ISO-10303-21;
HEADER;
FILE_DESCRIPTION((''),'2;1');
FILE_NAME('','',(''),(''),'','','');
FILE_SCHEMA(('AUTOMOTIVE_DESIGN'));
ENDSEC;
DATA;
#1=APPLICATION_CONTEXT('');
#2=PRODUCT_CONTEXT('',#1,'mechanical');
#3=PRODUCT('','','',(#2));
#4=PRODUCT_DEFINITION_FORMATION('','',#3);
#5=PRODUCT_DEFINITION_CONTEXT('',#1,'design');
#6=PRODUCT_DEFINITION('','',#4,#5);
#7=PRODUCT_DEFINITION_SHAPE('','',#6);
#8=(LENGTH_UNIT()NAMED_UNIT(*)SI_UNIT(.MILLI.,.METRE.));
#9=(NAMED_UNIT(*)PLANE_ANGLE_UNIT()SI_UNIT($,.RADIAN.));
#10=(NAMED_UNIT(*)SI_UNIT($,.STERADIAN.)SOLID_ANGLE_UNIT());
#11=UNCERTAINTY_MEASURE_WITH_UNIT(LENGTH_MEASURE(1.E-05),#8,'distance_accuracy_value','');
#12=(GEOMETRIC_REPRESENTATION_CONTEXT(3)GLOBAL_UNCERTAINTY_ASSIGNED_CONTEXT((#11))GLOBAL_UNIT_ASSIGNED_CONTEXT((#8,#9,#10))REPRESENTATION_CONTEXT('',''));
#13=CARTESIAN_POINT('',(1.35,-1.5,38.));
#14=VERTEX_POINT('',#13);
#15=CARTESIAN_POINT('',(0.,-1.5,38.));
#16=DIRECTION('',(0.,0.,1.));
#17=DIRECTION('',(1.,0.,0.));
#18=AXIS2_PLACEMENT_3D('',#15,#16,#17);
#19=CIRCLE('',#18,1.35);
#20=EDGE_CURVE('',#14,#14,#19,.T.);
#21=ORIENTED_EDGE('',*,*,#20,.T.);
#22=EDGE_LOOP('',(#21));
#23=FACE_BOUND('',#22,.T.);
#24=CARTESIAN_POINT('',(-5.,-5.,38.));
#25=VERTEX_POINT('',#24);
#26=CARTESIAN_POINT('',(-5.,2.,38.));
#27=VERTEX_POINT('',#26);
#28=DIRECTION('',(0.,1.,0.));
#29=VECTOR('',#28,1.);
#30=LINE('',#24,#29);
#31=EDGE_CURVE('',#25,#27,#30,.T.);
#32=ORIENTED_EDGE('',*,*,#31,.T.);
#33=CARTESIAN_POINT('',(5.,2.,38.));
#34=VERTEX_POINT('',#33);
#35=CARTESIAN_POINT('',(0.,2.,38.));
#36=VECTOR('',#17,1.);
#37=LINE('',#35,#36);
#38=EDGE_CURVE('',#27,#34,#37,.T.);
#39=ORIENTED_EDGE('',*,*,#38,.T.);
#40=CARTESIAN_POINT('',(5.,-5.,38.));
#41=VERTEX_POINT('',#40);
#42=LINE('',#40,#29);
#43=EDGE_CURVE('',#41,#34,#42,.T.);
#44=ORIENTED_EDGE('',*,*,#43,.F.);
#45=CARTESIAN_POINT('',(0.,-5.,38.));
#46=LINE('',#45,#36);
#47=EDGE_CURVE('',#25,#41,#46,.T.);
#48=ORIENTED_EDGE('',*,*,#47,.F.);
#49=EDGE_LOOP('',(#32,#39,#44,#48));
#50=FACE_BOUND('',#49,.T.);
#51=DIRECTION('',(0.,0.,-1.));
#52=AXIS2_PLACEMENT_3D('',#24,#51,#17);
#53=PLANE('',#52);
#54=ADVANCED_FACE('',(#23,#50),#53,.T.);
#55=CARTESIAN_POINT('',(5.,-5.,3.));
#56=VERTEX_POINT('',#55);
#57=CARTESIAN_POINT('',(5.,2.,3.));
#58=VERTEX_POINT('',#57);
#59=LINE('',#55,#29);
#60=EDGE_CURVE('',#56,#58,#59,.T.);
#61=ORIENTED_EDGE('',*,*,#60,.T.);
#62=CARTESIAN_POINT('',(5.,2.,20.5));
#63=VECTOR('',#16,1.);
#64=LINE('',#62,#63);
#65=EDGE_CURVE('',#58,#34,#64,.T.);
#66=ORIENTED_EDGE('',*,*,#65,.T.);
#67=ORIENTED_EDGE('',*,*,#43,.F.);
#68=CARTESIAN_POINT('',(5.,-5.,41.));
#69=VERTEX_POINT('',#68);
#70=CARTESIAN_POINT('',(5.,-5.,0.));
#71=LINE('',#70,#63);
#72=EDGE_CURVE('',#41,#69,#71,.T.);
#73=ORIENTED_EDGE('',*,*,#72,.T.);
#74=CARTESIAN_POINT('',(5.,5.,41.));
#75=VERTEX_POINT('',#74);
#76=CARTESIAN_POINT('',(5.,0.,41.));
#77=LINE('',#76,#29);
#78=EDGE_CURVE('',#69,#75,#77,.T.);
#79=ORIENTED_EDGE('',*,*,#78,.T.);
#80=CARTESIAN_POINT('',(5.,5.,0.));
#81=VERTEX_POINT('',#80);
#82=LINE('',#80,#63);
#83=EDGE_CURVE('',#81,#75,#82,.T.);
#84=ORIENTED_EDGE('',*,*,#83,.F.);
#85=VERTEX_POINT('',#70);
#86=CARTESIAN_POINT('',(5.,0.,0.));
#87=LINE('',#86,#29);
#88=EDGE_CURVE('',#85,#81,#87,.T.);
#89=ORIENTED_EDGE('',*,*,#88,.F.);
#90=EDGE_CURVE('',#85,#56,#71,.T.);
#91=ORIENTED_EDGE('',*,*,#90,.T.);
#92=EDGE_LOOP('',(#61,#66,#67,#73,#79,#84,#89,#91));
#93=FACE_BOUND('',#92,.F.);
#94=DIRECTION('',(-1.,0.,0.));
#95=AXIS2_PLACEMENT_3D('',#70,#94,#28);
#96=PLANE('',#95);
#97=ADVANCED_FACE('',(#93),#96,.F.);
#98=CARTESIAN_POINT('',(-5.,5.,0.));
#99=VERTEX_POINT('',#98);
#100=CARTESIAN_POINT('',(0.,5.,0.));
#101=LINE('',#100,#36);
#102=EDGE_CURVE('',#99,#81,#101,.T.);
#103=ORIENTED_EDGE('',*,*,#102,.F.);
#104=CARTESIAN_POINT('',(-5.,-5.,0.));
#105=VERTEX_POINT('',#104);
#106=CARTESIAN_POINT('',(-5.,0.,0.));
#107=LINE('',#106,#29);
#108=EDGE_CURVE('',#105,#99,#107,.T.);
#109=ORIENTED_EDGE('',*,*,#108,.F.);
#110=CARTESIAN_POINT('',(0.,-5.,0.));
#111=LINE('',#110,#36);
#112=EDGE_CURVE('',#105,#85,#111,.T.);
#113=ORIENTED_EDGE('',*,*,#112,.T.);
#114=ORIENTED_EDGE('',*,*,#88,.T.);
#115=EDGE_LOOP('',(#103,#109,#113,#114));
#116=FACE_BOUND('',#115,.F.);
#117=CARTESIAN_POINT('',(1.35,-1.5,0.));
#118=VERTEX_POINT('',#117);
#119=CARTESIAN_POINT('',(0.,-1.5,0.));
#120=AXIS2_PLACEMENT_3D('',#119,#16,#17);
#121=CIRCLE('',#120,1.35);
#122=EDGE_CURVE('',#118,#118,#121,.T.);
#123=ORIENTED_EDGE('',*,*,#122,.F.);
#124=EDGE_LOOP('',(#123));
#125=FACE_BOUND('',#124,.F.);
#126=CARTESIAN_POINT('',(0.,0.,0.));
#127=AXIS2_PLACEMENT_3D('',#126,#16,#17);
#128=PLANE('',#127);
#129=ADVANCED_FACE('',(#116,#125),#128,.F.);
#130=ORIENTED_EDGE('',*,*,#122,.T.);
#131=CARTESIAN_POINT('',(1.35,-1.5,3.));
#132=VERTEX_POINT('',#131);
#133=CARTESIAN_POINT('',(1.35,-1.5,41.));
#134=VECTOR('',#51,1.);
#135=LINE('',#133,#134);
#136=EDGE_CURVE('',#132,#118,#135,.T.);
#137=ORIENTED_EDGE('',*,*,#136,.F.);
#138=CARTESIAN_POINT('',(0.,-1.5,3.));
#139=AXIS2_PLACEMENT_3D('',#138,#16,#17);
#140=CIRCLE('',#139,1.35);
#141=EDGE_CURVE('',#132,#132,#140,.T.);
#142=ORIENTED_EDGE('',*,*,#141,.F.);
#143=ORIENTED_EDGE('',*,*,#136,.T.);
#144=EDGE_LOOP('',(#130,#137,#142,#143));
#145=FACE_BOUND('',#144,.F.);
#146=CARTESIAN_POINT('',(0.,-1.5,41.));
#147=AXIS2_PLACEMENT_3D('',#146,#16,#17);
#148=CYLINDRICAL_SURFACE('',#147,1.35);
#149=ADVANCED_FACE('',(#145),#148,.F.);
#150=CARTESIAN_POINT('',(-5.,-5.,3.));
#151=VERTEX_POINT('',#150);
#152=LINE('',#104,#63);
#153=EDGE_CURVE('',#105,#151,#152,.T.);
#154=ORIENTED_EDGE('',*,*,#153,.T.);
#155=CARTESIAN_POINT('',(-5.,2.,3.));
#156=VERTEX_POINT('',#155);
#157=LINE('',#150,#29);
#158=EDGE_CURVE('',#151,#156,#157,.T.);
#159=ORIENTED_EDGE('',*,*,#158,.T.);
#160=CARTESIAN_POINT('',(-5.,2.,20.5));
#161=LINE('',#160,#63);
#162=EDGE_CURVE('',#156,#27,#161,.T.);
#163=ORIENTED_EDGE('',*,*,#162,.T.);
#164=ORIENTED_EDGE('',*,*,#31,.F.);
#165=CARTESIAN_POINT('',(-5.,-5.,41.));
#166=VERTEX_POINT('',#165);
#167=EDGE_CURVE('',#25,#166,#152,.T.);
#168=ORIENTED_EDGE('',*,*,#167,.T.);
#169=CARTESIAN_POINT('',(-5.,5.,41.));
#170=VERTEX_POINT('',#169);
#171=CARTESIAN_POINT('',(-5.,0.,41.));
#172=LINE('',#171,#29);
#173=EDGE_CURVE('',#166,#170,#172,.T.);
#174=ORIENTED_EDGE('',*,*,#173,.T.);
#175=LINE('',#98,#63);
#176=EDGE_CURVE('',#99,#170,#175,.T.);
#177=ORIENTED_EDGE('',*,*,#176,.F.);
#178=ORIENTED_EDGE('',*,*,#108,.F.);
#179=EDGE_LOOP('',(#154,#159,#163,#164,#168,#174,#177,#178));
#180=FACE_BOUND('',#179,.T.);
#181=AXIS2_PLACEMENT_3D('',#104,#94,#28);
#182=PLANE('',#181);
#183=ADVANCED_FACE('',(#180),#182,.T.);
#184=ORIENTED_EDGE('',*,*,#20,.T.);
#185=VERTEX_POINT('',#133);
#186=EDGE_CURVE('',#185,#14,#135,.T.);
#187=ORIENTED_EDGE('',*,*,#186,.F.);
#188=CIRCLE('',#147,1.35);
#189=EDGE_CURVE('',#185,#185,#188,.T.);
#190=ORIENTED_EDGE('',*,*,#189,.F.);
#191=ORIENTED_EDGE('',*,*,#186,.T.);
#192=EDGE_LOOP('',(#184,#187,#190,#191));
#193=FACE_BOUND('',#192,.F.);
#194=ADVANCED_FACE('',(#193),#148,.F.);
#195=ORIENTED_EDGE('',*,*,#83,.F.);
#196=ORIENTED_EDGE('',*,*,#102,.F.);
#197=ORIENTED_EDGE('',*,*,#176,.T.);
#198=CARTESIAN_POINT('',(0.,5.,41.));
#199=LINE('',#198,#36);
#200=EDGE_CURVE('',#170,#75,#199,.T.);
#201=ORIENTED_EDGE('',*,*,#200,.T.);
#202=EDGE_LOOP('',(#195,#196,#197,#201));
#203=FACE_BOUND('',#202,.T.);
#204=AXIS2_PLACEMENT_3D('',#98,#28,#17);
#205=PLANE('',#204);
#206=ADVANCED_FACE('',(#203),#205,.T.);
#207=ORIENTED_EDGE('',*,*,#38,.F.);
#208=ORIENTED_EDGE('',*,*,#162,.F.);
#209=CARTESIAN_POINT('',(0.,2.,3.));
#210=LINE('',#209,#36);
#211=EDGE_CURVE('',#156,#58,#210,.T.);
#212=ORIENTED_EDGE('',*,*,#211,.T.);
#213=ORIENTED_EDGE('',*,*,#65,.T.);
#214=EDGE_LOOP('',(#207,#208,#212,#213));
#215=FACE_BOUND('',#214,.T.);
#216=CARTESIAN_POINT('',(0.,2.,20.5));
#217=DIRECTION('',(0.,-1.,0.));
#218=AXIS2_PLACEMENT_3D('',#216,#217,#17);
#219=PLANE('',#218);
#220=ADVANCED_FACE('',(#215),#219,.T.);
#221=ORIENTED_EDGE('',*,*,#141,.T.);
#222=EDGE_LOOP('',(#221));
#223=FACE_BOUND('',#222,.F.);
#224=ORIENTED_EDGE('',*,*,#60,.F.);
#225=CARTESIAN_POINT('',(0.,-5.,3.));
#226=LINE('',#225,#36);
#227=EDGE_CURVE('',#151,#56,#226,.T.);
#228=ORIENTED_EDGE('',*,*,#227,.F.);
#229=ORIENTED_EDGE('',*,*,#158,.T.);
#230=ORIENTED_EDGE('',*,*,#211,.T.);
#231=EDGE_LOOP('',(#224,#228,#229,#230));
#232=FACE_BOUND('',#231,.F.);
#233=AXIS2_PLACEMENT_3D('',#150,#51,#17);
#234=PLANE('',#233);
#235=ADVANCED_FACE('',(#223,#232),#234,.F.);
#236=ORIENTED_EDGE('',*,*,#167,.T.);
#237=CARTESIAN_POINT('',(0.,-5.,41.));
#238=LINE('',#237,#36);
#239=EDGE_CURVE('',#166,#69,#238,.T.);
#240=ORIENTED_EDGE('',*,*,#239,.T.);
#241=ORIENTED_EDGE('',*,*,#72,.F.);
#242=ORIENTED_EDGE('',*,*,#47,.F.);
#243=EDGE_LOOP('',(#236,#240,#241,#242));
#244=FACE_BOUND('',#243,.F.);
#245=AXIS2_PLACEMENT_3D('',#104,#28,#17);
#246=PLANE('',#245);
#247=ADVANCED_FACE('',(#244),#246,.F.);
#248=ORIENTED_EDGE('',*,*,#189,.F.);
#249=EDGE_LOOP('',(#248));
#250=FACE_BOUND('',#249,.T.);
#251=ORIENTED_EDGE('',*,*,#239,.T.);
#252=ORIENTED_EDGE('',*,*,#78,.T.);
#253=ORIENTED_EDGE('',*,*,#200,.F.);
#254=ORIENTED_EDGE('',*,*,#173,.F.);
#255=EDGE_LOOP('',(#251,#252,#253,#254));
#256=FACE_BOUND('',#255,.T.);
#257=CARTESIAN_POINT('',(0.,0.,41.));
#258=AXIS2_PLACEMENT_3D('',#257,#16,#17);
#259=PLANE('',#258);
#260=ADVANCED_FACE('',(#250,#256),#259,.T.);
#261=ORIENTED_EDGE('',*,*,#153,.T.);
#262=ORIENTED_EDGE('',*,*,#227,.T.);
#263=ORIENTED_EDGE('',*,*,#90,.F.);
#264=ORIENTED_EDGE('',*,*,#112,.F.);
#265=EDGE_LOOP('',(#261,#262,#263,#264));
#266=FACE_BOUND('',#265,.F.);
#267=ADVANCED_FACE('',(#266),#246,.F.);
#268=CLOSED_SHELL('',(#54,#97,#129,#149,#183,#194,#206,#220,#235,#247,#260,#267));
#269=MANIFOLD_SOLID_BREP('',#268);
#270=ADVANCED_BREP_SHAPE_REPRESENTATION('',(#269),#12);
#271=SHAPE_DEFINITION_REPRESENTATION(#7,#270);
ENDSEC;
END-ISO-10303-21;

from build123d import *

# Parameters (mm, degrees)
F0_W     = 10
F0_H     = 10
F1_DEPTH = 41
F2_W     = 10
F2_H     = 35
F3_DEPTH = 7
F4_R     = 1.35
F5_DEPTH = 50


with BuildPart() as f1:
    # F0 (on Top) → F1 (new body)
    with BuildSketch(Plane.XY):
        Rectangle(F0_W, F0_H)
    extrude(amount=F1_DEPTH)

    # F2 (on face) → F3 (cut)
    with BuildSketch(Plane.XZ.offset(5)):
        with Locations((0, 20.5)):
            Rectangle(F2_W, F2_H)
    extrude(amount=-F3_DEPTH, mode=Mode.SUBTRACT)

    # F4 (on face) → F5 (cut)
    with BuildSketch(Plane.XY.offset(41)):
        with Locations((0, -1.5)):
            Circle(F4_R)
    extrude(amount=-F5_DEPTH, mode=Mode.SUBTRACT)


solid = f1.part
